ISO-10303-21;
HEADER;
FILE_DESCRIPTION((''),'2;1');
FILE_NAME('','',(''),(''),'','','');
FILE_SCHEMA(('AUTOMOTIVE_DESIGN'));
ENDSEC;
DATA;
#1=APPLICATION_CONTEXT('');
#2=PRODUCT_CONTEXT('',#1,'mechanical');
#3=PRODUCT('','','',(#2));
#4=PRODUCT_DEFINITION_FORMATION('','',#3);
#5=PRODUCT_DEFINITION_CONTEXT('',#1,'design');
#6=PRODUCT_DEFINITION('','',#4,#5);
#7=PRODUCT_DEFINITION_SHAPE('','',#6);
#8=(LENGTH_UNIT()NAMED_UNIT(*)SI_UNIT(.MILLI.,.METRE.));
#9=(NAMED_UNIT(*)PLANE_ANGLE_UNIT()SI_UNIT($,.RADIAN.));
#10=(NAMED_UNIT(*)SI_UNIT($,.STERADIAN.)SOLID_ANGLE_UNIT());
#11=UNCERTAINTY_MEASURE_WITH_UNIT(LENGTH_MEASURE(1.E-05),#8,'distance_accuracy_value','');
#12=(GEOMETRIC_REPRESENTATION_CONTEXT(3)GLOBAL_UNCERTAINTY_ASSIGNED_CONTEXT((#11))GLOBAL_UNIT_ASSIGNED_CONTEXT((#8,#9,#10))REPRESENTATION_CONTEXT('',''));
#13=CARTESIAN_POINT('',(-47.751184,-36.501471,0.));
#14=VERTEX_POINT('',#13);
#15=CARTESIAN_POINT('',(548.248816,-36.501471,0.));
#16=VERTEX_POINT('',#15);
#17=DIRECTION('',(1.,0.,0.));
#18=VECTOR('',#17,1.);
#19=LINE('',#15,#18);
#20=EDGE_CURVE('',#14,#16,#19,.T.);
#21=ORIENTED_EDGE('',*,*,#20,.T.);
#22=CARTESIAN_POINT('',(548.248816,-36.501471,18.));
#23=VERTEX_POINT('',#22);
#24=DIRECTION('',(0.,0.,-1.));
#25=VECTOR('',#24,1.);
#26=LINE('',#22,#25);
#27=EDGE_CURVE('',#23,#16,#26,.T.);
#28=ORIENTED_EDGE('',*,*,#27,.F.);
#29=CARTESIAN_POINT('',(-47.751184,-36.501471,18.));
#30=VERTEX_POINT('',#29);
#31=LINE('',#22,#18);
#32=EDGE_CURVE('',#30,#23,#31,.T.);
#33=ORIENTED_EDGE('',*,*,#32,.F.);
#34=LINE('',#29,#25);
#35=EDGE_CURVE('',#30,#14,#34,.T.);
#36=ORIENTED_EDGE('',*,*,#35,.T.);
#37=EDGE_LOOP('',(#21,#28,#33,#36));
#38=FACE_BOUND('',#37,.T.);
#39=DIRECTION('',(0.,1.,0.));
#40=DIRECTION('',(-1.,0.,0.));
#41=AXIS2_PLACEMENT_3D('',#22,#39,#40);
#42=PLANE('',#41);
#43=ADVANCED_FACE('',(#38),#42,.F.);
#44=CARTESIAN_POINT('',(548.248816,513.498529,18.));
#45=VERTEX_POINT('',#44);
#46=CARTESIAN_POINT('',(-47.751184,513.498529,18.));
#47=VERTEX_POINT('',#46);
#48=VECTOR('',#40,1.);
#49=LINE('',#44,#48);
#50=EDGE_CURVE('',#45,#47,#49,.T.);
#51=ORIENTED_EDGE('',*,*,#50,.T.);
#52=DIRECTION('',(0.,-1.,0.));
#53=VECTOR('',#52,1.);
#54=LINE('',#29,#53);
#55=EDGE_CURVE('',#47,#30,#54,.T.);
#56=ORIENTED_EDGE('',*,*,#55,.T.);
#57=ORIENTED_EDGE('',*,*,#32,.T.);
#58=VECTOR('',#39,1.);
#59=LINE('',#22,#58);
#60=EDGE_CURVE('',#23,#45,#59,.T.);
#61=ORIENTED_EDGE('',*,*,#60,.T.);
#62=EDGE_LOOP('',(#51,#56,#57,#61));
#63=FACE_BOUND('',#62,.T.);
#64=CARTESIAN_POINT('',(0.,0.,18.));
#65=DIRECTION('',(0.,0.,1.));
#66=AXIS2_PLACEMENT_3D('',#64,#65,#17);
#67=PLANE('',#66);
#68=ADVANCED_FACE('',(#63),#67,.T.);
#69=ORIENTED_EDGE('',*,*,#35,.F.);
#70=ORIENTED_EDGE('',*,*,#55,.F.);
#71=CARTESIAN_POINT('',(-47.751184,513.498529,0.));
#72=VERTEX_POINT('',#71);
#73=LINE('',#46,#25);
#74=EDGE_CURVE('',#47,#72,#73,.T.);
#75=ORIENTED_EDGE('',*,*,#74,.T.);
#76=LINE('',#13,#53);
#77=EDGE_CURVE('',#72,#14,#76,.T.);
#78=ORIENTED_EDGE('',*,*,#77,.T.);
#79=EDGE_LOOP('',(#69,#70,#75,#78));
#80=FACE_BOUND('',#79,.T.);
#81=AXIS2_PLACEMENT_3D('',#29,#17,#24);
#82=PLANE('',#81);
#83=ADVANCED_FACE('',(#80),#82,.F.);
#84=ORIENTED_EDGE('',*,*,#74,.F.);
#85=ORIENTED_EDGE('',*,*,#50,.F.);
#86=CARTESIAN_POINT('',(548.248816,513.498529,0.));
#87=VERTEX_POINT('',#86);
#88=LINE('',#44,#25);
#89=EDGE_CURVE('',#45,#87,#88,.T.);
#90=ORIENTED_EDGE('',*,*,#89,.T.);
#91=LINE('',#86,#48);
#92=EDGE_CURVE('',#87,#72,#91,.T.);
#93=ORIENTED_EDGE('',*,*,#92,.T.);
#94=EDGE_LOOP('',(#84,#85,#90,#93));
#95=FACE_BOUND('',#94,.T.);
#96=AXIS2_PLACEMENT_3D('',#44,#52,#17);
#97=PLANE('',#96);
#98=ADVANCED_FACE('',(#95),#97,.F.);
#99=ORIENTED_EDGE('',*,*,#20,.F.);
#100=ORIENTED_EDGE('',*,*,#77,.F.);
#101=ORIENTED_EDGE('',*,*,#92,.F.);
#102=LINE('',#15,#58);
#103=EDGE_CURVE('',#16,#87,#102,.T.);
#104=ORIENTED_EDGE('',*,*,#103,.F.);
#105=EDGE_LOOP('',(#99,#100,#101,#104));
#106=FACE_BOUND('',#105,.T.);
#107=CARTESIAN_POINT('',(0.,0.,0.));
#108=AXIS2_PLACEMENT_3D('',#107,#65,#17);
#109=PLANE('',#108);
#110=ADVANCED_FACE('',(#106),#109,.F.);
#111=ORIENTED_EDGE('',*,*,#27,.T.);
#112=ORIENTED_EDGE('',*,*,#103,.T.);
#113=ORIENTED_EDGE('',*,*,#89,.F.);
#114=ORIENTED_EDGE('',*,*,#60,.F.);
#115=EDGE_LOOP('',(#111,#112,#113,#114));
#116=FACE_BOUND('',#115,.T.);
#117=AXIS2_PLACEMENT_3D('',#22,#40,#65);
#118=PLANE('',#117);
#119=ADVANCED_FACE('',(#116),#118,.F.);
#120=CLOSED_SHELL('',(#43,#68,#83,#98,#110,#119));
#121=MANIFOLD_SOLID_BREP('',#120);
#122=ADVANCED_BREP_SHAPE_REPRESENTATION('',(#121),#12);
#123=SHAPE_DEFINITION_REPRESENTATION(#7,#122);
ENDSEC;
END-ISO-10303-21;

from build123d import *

# Parameters (mm, degrees)
SKETCH1_W           = 596
SKETCH1_H           = 550
BOSS_EXTRUDE1_DEPTH = 18


with BuildPart() as part:
    # Sketch1 → Boss-Extrude1 (new body)
    with BuildSketch(Plane.XY):
        with Locations((250.248815741, 238.498528931)):
            Rectangle(SKETCH1_W, SKETCH1_H)
    extrude(amount=BOSS_EXTRUDE1_DEPTH)


solid = part.part
